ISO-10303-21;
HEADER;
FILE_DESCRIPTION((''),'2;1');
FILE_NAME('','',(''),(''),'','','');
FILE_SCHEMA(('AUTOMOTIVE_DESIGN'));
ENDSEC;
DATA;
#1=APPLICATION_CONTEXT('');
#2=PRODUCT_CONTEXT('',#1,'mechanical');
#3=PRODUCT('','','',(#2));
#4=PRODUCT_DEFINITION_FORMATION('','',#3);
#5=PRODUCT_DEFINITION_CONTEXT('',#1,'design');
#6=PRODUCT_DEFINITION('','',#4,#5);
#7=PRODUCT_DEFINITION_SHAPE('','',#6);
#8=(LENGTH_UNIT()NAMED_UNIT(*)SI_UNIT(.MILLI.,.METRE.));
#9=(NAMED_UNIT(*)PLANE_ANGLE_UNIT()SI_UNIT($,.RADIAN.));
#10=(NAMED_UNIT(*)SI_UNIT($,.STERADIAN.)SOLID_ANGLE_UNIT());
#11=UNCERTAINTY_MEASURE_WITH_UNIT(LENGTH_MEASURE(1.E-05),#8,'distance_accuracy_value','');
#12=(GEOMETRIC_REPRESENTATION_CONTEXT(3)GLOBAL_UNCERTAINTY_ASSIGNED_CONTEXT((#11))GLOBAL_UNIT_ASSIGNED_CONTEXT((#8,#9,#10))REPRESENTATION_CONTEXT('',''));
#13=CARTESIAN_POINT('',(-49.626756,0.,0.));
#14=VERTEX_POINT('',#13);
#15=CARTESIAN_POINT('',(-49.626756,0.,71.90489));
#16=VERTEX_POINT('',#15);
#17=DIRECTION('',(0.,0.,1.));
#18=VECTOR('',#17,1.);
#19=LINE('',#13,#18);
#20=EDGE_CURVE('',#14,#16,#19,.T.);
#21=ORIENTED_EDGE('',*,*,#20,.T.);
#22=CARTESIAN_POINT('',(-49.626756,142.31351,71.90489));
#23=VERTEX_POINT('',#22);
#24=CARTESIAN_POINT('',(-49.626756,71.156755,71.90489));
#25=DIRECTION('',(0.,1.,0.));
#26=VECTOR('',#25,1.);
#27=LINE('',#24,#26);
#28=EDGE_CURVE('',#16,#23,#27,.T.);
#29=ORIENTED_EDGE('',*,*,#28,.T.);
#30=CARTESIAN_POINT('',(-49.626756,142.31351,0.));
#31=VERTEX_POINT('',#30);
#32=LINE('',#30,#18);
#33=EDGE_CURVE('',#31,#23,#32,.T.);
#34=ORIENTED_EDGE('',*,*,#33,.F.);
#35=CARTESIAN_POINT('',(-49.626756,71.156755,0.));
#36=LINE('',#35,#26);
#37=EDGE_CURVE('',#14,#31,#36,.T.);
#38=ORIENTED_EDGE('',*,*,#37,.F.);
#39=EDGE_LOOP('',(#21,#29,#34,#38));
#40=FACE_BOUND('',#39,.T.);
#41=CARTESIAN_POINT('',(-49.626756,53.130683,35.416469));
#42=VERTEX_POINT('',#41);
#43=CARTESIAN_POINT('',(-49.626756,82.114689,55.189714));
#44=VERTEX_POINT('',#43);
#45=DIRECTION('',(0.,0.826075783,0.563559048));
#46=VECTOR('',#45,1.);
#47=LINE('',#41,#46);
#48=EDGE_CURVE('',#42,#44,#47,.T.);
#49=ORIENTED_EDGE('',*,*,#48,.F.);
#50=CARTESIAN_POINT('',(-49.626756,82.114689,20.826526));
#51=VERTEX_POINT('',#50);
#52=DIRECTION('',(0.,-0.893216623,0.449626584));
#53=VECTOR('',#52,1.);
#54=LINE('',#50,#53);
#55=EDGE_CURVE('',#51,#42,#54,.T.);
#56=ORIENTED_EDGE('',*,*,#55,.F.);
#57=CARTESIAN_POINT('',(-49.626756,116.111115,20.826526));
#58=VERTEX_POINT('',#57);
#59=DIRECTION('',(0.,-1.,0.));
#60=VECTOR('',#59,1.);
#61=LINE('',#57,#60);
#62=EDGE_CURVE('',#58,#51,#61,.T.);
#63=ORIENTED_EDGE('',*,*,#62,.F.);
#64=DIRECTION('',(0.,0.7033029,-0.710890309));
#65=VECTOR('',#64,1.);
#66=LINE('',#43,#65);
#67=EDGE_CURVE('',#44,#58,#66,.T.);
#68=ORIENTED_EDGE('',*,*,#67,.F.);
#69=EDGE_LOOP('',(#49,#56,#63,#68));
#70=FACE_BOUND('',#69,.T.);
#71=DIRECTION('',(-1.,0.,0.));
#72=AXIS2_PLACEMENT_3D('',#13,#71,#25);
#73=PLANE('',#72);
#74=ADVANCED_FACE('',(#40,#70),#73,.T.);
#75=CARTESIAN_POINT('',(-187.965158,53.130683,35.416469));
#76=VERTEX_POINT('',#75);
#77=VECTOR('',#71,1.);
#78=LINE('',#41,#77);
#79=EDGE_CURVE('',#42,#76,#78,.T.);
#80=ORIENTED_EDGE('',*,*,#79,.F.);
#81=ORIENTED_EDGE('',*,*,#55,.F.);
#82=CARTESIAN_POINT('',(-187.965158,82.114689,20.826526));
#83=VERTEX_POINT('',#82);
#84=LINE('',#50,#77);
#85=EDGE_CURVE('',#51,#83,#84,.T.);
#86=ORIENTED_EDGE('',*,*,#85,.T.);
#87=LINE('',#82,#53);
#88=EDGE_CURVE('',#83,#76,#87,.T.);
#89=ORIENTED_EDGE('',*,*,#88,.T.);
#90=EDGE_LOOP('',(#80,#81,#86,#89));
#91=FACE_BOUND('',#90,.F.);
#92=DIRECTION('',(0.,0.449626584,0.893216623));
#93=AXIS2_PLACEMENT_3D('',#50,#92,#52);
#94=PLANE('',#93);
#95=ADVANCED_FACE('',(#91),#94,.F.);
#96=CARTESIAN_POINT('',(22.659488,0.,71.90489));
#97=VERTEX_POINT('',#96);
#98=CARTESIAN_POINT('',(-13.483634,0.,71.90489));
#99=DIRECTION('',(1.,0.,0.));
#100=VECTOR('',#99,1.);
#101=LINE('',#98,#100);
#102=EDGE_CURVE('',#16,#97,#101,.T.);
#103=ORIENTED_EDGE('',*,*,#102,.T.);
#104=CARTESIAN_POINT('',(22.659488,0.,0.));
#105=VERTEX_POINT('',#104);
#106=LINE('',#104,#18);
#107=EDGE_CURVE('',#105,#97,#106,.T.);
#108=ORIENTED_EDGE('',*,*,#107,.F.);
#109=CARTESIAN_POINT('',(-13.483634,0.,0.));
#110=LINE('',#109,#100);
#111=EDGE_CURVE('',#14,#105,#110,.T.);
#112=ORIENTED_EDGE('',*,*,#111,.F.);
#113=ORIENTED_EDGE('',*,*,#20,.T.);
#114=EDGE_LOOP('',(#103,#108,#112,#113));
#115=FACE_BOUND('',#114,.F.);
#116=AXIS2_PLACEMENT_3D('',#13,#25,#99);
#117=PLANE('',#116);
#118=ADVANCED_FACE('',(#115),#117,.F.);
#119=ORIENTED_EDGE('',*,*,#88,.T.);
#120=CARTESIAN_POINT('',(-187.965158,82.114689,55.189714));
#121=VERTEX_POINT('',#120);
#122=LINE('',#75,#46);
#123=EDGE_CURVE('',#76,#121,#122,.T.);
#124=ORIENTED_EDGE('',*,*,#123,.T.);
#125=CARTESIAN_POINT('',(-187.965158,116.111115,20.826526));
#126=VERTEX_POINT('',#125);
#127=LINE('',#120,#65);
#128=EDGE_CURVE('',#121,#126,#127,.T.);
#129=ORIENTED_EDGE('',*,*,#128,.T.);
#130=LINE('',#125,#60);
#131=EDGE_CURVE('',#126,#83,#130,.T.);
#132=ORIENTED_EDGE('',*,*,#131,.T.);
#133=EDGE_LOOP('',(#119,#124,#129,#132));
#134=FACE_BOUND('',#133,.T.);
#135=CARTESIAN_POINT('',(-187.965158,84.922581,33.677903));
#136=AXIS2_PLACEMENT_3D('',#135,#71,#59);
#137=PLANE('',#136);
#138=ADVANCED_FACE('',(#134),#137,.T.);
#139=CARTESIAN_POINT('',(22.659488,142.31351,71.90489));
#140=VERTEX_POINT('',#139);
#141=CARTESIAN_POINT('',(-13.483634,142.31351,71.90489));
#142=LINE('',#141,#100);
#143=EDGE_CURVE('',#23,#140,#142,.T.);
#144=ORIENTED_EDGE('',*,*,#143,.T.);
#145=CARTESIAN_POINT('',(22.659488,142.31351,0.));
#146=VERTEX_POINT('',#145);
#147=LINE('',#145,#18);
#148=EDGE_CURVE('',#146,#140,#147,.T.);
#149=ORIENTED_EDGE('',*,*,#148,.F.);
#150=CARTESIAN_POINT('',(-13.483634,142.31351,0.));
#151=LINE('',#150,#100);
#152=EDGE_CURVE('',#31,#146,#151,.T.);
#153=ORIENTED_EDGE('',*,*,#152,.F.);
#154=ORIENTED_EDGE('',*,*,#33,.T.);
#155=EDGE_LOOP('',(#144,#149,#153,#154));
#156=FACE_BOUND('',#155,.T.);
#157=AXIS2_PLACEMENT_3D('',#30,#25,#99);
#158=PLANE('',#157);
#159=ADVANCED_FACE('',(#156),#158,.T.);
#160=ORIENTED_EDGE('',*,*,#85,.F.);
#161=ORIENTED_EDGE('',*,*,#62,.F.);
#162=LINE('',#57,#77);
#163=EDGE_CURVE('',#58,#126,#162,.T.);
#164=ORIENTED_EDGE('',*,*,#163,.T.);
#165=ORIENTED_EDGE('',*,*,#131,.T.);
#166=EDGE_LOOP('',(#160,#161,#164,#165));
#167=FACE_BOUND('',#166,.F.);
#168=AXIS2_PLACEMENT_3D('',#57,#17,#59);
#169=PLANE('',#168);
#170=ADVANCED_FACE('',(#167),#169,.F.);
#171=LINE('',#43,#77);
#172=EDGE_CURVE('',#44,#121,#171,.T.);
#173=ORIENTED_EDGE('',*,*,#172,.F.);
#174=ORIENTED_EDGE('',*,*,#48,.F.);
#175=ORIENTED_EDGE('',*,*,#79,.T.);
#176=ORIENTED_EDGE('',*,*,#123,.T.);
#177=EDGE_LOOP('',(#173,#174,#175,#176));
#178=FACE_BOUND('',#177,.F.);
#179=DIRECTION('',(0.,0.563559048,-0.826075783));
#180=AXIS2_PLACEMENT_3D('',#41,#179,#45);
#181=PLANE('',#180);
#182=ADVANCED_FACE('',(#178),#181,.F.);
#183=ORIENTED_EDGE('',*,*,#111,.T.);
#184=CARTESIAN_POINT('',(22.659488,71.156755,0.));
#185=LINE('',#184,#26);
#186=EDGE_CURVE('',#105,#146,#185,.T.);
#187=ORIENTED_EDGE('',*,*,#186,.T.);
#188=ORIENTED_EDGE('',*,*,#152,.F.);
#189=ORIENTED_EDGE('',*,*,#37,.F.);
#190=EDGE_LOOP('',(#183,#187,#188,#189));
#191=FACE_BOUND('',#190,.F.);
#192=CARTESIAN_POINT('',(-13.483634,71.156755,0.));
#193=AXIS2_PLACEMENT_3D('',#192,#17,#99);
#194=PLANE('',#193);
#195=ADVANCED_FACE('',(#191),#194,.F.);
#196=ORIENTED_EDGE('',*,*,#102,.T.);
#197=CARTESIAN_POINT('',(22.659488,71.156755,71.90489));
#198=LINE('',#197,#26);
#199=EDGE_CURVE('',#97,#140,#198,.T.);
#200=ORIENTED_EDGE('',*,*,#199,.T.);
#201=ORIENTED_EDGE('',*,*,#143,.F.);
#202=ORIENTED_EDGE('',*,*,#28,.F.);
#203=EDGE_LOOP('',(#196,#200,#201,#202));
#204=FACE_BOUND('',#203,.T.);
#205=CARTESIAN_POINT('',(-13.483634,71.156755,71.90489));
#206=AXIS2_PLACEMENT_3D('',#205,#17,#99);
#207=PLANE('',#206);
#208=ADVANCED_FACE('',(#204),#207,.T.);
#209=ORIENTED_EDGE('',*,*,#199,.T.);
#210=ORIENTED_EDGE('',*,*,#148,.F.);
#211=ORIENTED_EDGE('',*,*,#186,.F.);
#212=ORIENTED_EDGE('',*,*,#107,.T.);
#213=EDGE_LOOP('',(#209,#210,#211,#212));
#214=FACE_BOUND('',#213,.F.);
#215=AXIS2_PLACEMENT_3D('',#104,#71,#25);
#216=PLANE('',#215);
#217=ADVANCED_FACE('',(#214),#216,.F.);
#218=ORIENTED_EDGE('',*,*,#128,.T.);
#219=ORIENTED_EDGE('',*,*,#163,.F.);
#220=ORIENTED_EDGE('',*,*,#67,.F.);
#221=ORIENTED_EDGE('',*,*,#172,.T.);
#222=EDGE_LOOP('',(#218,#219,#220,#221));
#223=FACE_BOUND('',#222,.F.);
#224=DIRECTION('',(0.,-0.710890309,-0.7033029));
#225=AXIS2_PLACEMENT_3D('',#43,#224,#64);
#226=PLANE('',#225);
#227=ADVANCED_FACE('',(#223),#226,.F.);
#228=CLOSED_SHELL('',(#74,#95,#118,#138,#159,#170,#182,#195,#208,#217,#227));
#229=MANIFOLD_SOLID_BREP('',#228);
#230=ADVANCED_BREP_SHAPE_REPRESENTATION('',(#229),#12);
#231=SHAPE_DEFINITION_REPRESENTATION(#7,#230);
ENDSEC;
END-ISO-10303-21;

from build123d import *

# Parameters (mm, degrees)
F0_W     = 72.286244
F0_H     = 142.31351
F1_DEPTH = 71.90489
F3_DEPTH = 138.338402


with BuildPart() as f1:
    # F0 (on Top) → F1 (new body)
    with BuildSketch(Plane.XY):
        with Locations((-13.483634, 71.156755)):
            Rectangle(F0_W, F0_H)
    extrude(amount=F1_DEPTH)

    # F2 (on face) → F3 (join)
    with BuildSketch(Plane(origin=(-49.626756, 0, 0), x_dir=(0, -1, 0), z_dir=(-1, 0, 0))):
        Polygon((-116.111115, 20.826526), (-82.114689, 20.826526), (-53.130683, 35.416469), (-82.114689, 55.189714), align=None)
    extrude(amount=F3_DEPTH)


solid = f1.part
